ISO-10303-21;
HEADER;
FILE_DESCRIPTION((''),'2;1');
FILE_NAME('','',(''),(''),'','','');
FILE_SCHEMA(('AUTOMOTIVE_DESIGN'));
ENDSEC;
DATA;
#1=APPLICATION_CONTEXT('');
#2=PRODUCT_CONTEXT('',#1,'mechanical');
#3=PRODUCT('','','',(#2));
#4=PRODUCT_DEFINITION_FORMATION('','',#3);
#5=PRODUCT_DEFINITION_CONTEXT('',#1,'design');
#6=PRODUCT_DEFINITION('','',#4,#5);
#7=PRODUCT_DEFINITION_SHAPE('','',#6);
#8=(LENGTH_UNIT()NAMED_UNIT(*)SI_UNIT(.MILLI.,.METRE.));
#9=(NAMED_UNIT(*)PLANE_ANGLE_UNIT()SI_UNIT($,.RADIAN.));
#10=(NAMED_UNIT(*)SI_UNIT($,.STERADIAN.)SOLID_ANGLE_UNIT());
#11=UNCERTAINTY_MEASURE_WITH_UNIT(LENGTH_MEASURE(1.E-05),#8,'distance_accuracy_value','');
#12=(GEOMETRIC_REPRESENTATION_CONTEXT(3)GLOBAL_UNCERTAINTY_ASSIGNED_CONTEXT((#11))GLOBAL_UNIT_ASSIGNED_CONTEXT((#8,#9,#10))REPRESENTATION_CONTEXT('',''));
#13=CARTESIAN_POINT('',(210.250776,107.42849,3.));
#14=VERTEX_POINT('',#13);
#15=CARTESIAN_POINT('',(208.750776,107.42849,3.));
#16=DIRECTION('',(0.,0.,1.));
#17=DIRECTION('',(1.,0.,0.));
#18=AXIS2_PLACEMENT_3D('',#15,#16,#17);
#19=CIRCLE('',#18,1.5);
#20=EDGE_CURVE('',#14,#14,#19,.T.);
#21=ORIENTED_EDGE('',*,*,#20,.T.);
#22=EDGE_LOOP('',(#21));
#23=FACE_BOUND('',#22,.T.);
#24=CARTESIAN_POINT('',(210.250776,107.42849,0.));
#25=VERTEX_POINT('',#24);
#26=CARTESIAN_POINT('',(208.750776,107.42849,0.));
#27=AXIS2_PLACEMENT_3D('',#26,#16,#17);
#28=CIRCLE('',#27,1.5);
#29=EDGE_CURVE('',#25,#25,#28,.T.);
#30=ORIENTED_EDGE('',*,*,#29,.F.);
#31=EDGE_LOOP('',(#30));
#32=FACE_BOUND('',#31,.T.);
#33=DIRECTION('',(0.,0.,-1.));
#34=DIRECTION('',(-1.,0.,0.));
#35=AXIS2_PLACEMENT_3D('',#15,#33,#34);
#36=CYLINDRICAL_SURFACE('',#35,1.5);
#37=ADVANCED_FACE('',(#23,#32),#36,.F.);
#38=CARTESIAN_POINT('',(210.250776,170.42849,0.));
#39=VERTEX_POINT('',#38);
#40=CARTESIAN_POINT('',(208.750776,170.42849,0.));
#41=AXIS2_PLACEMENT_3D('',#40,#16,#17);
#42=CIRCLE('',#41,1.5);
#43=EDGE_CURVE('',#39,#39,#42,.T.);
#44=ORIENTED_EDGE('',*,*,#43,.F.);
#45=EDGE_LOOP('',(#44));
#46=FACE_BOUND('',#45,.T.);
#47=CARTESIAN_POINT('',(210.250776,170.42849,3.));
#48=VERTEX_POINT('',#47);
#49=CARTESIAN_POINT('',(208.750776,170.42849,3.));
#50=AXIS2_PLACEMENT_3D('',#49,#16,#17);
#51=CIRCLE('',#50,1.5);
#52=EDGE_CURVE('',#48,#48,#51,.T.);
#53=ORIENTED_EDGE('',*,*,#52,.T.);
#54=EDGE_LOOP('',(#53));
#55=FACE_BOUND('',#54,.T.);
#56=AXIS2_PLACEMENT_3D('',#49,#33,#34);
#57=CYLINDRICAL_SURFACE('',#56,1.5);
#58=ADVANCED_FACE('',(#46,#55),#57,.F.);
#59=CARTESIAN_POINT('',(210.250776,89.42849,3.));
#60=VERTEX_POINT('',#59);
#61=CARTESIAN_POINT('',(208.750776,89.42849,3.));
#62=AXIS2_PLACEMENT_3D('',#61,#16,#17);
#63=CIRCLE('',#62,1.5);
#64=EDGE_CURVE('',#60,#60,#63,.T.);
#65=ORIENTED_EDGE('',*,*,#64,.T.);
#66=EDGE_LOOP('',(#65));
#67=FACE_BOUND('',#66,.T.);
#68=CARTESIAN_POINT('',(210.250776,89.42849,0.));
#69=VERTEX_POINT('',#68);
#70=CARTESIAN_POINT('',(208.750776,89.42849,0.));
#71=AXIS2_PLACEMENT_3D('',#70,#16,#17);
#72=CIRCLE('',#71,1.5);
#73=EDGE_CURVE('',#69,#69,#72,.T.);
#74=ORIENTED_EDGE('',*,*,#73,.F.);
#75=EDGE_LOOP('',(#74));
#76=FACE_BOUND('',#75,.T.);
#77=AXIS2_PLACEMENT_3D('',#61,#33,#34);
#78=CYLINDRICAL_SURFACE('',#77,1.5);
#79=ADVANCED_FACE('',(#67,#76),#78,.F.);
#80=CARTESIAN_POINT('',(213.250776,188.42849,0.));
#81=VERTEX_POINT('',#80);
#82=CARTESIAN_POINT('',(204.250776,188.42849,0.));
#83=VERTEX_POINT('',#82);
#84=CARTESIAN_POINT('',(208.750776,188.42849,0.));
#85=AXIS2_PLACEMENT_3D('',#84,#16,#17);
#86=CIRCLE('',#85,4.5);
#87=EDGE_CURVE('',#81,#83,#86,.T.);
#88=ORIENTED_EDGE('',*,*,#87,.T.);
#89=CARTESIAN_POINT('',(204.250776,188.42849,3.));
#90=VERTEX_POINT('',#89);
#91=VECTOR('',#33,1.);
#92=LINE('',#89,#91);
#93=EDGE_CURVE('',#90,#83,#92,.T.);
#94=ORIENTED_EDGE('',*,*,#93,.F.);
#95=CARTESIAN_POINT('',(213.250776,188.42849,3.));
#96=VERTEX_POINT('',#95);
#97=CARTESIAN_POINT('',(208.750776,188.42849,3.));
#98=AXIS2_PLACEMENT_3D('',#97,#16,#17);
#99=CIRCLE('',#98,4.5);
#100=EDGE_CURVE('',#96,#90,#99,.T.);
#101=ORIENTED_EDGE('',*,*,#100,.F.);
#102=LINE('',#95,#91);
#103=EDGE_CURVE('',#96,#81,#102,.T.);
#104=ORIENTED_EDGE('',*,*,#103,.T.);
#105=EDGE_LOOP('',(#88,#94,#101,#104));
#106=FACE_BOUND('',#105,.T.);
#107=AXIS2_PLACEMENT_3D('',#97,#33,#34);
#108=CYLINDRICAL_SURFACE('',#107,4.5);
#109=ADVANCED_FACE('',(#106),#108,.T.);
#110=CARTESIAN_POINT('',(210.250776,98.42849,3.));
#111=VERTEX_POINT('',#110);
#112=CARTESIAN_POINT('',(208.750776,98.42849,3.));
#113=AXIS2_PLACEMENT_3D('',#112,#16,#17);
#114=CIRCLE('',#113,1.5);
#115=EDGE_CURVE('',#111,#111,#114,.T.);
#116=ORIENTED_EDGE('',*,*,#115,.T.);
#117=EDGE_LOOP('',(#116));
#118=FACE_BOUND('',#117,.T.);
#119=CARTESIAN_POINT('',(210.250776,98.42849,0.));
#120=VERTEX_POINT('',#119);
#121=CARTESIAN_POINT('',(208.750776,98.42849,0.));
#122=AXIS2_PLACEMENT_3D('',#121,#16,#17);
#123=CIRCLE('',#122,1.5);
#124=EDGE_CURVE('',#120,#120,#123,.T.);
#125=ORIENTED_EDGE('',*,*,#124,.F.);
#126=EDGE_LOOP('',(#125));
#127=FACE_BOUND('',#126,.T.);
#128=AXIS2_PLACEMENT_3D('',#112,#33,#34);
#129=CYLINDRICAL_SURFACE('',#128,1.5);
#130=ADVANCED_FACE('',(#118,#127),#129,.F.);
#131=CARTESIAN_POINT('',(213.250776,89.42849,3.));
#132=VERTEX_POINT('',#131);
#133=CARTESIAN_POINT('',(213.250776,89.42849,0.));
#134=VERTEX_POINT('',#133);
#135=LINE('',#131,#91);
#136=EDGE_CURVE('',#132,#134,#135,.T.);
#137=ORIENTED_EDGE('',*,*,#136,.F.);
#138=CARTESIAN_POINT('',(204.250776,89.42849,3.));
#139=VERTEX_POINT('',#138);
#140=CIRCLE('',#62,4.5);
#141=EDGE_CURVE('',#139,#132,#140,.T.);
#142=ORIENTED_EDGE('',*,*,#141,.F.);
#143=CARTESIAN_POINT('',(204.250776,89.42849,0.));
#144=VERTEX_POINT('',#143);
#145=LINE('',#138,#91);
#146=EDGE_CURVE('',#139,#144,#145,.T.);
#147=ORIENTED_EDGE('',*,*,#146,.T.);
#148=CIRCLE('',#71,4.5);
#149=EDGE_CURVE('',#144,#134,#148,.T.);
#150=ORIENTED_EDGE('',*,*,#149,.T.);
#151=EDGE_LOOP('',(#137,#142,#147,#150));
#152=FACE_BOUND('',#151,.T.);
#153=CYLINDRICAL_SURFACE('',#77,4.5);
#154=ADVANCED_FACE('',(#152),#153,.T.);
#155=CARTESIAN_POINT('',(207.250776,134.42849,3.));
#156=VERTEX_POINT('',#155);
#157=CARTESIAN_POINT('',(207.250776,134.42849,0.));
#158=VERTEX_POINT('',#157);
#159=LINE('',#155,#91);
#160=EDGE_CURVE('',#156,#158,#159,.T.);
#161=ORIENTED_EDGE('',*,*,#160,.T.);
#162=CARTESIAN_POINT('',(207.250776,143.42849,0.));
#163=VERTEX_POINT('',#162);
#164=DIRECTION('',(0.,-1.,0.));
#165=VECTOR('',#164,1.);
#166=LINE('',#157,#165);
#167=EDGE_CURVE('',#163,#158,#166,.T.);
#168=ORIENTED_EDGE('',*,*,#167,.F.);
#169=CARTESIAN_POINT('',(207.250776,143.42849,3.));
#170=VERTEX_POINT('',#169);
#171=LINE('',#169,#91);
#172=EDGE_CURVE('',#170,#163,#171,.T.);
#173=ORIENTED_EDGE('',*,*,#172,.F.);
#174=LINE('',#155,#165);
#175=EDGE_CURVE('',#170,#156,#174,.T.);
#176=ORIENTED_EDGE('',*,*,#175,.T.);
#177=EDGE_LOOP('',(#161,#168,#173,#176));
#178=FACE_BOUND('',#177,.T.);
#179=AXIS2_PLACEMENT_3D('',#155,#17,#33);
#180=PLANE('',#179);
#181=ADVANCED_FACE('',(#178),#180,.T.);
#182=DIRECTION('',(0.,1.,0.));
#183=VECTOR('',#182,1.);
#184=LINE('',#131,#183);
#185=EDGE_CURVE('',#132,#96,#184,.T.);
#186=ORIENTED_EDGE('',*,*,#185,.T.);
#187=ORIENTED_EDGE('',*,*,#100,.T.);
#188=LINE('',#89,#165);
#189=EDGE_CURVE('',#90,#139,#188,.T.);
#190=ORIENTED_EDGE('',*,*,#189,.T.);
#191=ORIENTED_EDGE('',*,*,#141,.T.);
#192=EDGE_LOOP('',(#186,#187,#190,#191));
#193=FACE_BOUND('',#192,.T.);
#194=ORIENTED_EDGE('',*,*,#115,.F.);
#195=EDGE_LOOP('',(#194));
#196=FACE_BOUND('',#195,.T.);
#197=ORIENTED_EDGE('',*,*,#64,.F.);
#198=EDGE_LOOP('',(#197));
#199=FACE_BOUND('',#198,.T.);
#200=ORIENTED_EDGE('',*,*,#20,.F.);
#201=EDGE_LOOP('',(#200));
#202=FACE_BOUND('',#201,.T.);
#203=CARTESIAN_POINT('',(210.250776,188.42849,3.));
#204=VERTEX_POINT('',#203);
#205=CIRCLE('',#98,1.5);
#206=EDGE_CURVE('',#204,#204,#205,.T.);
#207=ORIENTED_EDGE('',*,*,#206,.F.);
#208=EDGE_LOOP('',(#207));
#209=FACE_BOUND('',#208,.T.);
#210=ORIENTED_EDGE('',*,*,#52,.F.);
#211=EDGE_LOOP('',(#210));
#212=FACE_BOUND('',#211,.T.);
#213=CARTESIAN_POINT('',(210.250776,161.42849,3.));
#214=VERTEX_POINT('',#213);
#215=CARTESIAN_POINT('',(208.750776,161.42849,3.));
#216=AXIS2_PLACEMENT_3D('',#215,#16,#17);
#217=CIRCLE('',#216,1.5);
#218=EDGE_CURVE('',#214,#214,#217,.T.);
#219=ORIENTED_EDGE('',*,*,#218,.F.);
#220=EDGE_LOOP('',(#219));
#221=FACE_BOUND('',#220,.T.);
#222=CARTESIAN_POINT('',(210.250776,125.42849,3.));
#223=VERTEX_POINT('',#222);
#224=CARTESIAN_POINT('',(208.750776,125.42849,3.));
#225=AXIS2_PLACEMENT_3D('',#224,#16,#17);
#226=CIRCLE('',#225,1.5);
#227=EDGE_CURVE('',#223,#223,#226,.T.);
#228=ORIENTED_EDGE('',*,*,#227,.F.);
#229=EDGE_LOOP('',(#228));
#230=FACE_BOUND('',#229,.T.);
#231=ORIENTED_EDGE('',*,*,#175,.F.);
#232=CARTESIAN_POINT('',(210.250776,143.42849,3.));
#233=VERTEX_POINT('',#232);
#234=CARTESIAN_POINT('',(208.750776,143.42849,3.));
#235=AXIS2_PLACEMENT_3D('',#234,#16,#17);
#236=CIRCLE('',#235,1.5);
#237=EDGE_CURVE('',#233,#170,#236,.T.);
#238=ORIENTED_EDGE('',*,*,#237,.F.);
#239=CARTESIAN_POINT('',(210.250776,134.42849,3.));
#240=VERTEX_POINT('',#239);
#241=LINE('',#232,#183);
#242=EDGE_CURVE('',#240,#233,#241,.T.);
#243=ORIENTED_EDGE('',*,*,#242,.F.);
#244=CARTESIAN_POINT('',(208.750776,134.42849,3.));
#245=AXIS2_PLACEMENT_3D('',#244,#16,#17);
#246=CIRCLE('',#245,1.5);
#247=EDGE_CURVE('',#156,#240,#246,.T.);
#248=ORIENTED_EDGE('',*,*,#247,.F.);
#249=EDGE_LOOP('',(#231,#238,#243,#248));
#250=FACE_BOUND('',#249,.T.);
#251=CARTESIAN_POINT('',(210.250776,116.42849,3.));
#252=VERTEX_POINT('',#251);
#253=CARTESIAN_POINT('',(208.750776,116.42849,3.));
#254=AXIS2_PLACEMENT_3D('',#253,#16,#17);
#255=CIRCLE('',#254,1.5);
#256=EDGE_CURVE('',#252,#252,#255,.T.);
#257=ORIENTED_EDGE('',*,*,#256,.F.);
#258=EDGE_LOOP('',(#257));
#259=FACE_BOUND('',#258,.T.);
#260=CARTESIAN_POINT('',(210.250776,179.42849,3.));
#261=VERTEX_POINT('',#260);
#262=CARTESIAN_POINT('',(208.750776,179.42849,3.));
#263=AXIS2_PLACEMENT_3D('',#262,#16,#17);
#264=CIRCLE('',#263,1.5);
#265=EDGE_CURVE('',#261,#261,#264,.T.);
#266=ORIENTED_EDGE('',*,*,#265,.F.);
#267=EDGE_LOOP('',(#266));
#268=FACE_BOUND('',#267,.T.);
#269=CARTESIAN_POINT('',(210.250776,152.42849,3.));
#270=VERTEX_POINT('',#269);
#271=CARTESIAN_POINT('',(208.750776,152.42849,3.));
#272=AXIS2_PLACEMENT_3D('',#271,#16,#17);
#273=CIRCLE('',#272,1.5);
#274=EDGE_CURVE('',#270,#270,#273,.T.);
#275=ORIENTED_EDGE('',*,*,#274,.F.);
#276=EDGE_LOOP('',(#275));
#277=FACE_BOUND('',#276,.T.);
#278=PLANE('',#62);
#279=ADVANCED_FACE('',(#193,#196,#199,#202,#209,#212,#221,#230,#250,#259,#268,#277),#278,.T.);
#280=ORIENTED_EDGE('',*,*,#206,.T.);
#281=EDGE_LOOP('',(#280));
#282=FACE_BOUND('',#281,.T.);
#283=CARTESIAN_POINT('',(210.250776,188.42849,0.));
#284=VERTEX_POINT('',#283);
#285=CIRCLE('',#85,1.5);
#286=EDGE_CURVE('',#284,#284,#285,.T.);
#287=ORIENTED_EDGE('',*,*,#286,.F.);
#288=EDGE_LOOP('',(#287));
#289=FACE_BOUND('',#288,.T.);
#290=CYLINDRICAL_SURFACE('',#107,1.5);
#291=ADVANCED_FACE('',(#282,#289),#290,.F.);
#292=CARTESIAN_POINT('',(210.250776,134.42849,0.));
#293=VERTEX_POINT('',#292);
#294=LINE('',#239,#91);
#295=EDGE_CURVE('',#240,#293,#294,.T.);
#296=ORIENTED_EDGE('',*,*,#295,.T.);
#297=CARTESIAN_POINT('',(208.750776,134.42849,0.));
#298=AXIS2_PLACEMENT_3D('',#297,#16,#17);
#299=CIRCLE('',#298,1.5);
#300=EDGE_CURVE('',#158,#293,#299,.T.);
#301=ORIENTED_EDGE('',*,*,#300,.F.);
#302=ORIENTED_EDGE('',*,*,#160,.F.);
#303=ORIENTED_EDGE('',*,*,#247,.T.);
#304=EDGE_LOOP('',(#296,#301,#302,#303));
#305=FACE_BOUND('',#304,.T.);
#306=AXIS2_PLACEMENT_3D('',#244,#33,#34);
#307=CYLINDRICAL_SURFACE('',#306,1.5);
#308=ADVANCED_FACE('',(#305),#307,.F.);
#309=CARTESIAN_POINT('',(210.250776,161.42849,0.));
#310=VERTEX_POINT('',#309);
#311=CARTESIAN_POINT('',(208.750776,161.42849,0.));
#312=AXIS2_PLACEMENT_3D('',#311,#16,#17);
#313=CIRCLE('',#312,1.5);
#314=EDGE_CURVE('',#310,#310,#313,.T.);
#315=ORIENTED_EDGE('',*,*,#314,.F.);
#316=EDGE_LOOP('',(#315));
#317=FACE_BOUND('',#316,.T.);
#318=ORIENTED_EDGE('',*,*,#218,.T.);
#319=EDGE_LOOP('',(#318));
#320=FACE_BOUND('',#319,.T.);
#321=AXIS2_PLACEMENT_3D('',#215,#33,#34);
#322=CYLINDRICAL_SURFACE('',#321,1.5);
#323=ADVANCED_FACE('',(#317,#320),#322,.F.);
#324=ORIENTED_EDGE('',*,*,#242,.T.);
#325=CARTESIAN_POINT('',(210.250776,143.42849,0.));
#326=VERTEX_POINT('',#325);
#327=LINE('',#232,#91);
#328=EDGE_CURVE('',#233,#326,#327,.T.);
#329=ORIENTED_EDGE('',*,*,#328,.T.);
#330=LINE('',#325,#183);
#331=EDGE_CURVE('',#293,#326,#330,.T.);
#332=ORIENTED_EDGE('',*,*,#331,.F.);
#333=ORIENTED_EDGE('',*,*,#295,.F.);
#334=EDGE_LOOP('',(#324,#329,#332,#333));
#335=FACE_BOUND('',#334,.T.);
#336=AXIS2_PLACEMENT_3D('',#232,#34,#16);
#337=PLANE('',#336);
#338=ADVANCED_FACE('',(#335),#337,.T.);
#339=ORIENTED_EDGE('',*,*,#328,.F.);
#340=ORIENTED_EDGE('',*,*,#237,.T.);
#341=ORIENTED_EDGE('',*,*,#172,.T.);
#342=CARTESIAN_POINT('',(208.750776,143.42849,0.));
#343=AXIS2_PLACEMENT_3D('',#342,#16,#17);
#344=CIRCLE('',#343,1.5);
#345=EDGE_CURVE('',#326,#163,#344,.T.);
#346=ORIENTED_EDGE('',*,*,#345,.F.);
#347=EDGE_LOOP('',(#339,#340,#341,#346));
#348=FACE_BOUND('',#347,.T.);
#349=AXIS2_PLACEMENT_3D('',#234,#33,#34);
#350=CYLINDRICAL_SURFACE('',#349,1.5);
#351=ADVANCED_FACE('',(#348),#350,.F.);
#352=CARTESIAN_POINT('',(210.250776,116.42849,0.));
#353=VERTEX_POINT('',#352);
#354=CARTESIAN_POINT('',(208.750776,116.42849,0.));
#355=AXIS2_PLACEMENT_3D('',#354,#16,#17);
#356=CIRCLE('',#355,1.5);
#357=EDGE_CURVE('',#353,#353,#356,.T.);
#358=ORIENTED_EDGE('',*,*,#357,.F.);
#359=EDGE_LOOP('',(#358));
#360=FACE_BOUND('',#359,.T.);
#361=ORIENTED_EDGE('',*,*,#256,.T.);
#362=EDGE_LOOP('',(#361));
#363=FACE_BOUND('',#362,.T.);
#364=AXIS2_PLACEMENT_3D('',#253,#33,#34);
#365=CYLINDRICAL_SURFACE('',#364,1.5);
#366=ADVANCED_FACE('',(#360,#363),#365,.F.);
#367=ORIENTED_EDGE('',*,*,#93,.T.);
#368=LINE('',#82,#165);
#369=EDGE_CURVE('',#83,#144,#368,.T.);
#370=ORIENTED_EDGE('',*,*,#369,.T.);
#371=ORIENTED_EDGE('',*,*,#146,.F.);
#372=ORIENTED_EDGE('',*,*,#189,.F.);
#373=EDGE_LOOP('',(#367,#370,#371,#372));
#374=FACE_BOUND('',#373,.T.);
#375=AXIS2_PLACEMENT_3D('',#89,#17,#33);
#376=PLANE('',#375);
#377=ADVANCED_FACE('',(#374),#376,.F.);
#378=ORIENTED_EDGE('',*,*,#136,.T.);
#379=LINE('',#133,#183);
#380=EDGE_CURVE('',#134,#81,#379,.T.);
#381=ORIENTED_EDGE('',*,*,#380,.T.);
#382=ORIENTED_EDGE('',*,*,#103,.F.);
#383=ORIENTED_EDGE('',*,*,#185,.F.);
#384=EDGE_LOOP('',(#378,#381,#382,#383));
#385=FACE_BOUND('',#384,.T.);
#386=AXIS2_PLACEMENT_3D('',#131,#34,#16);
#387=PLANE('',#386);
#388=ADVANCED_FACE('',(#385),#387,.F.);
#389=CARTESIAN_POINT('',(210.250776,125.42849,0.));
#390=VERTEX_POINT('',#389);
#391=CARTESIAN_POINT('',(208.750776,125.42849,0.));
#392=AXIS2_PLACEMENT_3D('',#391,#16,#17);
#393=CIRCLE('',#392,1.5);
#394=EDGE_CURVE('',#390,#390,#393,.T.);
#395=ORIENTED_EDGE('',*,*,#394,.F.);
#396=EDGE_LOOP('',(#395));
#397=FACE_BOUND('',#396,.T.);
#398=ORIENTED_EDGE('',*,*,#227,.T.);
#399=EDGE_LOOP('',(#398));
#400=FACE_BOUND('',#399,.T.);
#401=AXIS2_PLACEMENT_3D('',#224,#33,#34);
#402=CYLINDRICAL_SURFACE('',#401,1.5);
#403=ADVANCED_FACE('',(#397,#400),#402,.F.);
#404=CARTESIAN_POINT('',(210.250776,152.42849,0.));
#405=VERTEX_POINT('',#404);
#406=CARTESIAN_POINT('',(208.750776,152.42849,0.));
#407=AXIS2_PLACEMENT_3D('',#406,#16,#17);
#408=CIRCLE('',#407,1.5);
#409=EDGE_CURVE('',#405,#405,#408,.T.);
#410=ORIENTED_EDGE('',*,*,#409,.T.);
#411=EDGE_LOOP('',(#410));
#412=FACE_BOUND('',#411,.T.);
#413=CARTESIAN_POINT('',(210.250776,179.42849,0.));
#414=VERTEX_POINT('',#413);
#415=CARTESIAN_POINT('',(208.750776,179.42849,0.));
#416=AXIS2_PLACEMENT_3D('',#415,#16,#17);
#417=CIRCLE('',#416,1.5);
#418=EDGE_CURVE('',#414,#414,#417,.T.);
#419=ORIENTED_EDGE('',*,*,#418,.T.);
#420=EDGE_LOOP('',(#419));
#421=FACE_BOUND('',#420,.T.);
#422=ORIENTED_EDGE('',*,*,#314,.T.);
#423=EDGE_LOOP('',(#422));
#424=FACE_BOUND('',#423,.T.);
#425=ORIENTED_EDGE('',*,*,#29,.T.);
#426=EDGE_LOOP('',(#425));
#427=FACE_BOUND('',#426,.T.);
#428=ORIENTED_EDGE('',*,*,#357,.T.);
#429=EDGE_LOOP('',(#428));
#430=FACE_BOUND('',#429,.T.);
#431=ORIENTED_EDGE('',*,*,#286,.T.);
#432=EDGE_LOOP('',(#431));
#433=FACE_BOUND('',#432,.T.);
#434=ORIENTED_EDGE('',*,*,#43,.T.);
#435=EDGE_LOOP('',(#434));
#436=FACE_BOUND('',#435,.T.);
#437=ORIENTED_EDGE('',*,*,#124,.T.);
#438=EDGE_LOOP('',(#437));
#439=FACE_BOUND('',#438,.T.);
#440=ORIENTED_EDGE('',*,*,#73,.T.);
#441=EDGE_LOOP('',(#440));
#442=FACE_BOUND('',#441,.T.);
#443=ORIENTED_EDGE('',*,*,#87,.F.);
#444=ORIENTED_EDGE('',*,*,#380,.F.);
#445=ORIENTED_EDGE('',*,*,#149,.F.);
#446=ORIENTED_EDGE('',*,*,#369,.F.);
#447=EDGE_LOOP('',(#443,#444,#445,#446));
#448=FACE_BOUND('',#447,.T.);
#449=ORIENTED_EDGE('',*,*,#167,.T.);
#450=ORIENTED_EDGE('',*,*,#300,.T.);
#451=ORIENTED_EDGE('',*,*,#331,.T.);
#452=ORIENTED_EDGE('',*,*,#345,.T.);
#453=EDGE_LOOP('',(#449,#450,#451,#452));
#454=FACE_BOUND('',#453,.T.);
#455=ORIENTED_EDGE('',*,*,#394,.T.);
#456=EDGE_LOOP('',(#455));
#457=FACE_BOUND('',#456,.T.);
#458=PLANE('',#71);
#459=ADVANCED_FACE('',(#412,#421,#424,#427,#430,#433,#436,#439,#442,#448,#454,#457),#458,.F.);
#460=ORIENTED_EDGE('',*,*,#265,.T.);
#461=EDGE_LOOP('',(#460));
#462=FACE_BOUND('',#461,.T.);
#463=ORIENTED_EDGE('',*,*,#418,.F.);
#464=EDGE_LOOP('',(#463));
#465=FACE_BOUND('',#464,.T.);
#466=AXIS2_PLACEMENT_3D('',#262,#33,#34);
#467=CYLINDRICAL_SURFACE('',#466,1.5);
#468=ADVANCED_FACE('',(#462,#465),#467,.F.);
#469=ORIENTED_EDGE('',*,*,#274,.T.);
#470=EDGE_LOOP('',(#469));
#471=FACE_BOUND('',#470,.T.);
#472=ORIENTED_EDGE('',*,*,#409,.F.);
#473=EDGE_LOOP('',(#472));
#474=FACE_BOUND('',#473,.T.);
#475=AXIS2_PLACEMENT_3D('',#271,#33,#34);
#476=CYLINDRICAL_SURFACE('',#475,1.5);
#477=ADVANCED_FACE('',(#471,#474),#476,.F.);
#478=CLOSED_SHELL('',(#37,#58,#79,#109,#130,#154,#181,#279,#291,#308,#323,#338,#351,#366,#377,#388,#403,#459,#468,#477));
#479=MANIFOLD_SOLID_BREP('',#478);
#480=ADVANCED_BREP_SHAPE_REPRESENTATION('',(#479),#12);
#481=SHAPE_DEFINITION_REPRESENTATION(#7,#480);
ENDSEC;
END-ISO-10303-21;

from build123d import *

# Parameters (mm, degrees)
MODEL_R                 = 1.5
SALIENTE_EXTRUIR1_DEPTH = 3


with BuildPart() as part:
    # Model → Saliente-Extruir1 (new body)
    with BuildSketch(Plane.XY):
        with BuildLine():
            Line((213.25077615, 89.428489513), (213.25077615, 188.428489513))
            ThreePointArc((213.25077615, 188.428489513), (208.75077615, 192.928489513), (204.25077615, 188.428489513))
            Line((204.25077615, 188.428489513), (204.25077615, 89.428489513))
            ThreePointArc((204.25077615, 89.428489513), (208.75077615, 84.928489513), (213.25077615, 89.428489513))
        make_face()
        with Locations((208.75077615, 179.428489513)):
            Circle(MODEL_R, mode=Mode.SUBTRACT)
        with Locations((208.75077615, 188.428489513)):
            Circle(MODEL_R, mode=Mode.SUBTRACT)
        with Locations((208.75077615, 152.428489513)):
            Circle(MODEL_R, mode=Mode.SUBTRACT)
        with Locations((208.75077615, 161.428489513)):
            Circle(MODEL_R, mode=Mode.SUBTRACT)
        with Locations((208.75077615, 170.428489513)):
            Circle(MODEL_R, mode=Mode.SUBTRACT)
        with Locations((208.75077615, 116.428489513)):
            Circle(MODEL_R, mode=Mode.SUBTRACT)
        with Locations((208.75077615, 125.428489513)):
            Circle(MODEL_R, mode=Mode.SUBTRACT)
        with Locations((208.75077615, 89.428489513)):
            Circle(MODEL_R, mode=Mode.SUBTRACT)
        with Locations((208.75077615, 98.428489513)):
            Circle(MODEL_R, mode=Mode.SUBTRACT)
        with Locations((208.75077615, 107.428489513)):
            Circle(MODEL_R, mode=Mode.SUBTRACT)
        with BuildLine():
            Line((207.25077615, 134.428489513), (207.25077615, 143.428489513))
            ThreePointArc((207.25077615, 143.428489513), (208.75077615, 144.928489513), (210.25077615, 143.428489513))
            Line((210.25077615, 143.428489513), (210.25077615, 134.428489513))
            ThreePointArc((210.25077615, 134.428489513), (208.75077615, 132.928489513), (207.25077615, 134.428489513))
        make_face(mode=Mode.SUBTRACT)
    extrude(amount=SALIENTE_EXTRUIR1_DEPTH)


solid = part.part
